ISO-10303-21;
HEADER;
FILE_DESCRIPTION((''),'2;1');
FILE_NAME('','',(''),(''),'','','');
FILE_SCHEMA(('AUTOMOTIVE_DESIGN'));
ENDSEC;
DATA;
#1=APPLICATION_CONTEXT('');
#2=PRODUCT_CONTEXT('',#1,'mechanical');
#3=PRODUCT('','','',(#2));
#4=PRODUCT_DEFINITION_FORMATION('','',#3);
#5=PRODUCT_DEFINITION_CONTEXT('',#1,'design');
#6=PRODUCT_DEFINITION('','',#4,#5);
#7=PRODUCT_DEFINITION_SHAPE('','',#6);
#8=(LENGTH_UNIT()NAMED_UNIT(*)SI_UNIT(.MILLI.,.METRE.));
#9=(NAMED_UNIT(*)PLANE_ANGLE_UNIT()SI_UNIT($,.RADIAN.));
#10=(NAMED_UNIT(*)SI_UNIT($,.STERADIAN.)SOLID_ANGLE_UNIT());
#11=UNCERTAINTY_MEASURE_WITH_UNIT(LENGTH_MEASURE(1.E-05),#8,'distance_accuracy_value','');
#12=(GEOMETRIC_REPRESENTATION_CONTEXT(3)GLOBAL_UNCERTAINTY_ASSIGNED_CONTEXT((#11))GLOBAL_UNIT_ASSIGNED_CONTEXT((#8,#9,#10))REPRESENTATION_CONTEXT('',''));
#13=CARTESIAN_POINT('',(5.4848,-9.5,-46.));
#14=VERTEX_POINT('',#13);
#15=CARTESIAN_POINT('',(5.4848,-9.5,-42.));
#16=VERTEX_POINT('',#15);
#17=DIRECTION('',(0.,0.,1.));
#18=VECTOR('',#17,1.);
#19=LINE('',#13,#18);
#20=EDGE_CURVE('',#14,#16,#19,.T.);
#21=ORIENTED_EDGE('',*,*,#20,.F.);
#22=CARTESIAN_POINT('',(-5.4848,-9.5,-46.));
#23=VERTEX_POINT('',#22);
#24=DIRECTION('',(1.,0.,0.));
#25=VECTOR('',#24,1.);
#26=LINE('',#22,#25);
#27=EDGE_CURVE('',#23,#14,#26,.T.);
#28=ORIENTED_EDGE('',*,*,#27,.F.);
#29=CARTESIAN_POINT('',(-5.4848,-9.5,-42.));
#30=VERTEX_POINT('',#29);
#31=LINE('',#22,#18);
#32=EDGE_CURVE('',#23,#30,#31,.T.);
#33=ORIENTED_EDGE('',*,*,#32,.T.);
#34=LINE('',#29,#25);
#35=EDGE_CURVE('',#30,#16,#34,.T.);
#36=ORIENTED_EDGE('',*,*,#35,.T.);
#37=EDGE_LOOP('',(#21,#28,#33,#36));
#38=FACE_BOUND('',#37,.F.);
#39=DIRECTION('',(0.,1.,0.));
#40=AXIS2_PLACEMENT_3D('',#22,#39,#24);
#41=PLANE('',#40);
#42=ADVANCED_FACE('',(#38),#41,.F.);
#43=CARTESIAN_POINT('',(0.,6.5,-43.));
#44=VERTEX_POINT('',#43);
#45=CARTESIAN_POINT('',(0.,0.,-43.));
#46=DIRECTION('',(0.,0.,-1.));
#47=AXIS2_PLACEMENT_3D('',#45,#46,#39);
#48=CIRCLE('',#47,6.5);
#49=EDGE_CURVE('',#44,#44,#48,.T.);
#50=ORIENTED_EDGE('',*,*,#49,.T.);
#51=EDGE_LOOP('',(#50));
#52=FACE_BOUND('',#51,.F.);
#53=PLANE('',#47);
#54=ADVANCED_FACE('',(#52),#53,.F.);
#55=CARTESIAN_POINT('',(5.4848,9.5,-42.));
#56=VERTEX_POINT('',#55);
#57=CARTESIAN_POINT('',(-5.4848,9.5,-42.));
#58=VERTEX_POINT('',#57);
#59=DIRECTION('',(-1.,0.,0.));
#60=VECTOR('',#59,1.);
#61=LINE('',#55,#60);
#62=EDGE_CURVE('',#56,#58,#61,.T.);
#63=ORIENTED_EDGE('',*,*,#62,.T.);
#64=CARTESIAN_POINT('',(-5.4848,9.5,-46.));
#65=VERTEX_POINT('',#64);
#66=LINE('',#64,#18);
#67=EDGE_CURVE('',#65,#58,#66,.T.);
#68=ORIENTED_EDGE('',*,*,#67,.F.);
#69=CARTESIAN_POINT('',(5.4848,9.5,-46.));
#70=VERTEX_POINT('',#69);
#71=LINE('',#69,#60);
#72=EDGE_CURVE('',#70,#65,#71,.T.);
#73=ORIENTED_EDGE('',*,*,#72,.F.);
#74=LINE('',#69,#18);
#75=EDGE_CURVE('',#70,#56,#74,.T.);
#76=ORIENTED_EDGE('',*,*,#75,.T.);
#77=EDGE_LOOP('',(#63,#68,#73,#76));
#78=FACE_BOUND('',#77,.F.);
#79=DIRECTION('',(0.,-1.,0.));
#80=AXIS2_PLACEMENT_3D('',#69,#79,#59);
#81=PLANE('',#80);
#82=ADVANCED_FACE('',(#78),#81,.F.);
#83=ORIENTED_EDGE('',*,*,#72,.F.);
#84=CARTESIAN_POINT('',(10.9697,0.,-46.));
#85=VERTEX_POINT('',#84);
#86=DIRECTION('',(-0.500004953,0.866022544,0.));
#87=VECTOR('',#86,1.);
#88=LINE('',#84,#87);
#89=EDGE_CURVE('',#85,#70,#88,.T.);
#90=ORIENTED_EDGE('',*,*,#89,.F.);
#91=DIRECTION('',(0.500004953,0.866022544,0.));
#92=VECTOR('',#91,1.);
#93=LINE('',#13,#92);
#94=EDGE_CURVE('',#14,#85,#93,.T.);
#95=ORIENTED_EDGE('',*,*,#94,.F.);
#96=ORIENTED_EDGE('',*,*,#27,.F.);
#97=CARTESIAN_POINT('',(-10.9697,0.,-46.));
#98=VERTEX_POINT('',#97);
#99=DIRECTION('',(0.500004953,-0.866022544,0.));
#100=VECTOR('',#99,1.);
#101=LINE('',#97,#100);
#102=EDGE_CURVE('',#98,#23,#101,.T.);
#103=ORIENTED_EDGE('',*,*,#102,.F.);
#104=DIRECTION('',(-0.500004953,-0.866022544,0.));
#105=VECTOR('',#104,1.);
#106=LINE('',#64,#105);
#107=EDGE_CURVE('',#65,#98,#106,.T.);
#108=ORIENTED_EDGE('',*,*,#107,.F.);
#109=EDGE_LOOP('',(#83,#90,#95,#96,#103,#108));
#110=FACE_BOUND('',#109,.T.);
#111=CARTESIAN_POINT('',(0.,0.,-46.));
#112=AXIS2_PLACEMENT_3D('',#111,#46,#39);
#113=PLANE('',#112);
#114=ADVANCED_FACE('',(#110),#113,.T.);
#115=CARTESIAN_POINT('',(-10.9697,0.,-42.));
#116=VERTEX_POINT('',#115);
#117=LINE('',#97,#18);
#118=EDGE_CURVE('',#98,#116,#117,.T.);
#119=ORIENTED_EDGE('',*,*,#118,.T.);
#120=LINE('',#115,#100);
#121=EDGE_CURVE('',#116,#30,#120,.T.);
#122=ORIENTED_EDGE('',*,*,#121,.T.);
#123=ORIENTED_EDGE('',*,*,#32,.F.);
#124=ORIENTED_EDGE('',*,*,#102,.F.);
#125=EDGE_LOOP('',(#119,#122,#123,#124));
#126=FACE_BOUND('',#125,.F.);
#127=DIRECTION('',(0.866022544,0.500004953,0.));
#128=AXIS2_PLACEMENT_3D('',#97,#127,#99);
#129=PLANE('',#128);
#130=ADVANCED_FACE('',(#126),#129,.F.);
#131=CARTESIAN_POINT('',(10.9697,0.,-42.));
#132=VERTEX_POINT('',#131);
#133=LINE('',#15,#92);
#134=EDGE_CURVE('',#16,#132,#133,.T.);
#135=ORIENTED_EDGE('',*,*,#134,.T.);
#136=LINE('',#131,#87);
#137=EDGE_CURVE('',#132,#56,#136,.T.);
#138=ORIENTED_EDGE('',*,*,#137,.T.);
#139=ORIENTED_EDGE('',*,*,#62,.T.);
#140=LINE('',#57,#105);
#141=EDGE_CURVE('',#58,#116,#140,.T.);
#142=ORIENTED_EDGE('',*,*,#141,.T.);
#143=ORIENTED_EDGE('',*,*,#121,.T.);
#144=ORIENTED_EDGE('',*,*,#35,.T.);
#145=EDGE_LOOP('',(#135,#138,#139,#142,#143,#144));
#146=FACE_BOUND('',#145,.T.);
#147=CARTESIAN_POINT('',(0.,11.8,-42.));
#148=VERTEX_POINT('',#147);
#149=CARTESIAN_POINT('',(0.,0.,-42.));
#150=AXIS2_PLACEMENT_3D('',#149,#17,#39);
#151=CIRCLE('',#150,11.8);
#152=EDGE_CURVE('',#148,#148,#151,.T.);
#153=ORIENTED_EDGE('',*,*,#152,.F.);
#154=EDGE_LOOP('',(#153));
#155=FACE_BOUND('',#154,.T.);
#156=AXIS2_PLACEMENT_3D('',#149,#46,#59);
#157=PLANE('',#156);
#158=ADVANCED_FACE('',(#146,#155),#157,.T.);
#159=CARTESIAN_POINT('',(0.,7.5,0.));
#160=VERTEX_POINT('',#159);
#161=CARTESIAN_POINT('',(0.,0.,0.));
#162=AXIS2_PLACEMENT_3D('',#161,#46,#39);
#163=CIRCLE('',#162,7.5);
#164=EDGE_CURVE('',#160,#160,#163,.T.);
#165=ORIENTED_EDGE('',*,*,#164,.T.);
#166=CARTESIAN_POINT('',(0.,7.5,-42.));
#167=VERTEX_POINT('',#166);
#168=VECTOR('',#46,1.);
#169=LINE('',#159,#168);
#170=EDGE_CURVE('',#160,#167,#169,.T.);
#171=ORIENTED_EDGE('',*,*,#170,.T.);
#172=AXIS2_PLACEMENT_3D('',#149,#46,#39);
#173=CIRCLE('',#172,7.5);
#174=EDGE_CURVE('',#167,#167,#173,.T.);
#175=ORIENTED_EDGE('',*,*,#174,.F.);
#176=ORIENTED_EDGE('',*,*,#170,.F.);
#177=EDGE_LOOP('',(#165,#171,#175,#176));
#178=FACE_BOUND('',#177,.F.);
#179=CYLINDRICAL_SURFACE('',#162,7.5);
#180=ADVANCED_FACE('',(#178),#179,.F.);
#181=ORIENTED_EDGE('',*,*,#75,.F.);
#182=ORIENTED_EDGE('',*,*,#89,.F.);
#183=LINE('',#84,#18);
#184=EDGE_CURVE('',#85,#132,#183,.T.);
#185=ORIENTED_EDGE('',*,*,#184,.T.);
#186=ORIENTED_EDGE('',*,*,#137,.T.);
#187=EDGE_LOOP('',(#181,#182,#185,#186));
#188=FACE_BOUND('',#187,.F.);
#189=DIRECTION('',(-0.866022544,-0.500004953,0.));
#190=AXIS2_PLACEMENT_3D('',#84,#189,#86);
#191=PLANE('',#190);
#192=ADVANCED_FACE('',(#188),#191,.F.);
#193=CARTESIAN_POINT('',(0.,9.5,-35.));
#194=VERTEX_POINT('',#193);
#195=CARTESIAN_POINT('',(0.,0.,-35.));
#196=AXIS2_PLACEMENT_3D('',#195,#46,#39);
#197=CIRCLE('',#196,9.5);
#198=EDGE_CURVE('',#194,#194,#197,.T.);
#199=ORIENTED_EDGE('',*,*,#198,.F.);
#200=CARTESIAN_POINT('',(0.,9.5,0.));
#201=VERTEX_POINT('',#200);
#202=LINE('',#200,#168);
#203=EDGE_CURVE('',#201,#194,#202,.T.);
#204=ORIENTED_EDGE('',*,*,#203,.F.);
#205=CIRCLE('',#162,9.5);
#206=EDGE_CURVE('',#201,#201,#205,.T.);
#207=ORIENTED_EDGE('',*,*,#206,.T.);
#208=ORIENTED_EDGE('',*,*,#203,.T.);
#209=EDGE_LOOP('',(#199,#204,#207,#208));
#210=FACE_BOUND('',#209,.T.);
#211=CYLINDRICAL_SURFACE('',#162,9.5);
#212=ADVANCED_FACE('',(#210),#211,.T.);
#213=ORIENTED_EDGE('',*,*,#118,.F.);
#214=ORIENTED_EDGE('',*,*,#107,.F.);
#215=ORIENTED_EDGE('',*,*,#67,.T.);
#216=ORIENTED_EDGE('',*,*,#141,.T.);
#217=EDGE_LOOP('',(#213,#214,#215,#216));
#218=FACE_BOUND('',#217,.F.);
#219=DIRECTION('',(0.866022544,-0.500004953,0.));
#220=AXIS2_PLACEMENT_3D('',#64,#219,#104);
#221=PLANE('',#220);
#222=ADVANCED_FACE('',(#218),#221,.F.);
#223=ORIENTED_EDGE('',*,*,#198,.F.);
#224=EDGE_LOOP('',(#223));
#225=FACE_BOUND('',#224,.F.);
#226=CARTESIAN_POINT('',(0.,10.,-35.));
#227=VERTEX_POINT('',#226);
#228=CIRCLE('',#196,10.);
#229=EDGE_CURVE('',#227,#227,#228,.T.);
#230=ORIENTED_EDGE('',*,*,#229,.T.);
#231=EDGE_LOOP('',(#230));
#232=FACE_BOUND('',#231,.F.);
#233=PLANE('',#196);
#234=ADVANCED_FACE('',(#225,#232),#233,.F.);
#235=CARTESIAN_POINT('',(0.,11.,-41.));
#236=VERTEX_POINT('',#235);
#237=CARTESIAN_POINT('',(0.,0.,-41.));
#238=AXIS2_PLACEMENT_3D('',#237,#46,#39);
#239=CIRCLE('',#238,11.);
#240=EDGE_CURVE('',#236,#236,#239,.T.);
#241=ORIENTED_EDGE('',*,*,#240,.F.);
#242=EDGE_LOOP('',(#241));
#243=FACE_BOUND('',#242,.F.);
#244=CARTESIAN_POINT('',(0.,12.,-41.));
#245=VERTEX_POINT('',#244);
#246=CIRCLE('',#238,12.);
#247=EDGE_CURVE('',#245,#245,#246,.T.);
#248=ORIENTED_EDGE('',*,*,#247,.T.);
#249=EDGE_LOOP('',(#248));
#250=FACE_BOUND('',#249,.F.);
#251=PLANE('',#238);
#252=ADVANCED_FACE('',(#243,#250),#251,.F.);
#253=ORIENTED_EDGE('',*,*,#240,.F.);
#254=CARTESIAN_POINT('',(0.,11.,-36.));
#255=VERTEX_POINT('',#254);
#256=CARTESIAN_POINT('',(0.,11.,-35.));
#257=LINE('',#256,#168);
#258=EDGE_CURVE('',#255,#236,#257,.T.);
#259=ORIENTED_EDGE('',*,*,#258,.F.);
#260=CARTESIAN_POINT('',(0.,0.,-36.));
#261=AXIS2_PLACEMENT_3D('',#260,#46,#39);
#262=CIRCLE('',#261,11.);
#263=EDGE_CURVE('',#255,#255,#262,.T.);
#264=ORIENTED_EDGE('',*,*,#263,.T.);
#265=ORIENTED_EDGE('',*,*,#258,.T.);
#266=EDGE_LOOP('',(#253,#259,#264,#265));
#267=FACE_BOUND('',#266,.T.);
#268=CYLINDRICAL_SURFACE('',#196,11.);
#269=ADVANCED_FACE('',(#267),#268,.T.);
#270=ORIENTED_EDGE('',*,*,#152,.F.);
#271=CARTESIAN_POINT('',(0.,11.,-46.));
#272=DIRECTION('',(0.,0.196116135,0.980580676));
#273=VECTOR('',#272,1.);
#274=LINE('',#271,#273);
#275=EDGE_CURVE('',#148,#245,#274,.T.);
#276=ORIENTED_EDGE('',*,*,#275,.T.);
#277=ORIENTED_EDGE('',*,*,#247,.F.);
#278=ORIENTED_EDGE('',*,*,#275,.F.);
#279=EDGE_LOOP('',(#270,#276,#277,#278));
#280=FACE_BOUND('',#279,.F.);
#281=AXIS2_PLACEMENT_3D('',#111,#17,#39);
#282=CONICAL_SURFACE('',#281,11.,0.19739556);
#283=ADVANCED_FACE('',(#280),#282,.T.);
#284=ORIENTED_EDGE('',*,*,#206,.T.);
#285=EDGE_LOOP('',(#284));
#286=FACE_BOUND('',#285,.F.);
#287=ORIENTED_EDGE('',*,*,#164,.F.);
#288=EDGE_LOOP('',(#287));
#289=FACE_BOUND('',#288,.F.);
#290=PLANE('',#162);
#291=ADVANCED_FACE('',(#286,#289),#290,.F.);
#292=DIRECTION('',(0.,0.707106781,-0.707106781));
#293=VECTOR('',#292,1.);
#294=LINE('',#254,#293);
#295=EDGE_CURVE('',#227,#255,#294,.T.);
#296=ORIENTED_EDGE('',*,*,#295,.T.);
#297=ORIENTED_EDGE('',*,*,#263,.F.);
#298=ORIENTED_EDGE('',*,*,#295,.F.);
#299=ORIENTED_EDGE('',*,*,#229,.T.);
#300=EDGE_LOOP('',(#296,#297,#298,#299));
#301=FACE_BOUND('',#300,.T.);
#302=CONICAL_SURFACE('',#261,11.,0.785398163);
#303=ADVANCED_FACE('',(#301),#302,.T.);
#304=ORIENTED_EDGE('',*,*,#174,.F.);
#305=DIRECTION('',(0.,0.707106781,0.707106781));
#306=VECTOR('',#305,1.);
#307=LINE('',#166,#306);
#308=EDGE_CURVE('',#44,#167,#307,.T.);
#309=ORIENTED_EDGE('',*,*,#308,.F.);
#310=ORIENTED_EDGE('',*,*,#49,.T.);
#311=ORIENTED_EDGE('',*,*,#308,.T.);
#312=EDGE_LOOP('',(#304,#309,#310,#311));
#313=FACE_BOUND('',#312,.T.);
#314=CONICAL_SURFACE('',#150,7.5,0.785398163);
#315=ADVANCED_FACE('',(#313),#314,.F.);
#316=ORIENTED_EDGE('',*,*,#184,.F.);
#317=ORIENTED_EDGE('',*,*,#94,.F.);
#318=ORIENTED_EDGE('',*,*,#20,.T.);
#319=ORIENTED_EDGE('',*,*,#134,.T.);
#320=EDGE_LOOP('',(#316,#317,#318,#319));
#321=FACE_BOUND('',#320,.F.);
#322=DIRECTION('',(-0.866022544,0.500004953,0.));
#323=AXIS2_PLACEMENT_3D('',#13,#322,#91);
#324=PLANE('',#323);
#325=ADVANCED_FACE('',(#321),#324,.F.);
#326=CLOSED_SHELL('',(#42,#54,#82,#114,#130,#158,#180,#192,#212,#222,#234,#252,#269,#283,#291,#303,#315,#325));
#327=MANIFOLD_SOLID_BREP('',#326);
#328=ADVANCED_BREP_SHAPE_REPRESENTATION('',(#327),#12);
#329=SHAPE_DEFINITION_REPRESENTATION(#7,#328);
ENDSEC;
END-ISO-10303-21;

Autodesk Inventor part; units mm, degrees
ref_plane "YZ Plane" through (0, 0, 0) normal (1, 0, 0) x (0, 1, 0)
ref_plane "XZ Plane" through (0, 0, 0) normal (0, 1, 0) x (-1, 0, 0)
ref_plane "XY Plane" through (0, 0, 0) normal (0, 0, 1) x (1, 0, 0)
sketch "Esquisse1" plane through (0, 0, 0) normal (1, 0, 0) x (0, 1, 0)
  line L0 (0, 0) -> (0, -23.6667)
  line L1 (9.5, 0) -> (7.5, 0)
  line L2 (7.5, 0) -> (7.5, -43)
  line L3 (11, -35) -> (11, -41)
  line L4 (7.5, -43) -> (0, -43)
  line L5 (11, -46) -> (0, -46)
  line L6 (0, -43) -> (0, -46)
  line L7 (11, -46) -> (12, -41)
  line L8 (12, -41) -> (11, -41)
  line L9 (11, -35) -> (9.5, -35)
  line L10 (9.5, 0) -> (9.5, -35)
  dimension "d1" = 15
  dimension "d2" = 43
  dimension "d3" = 3
  dimension "d8" = 22
  dimension "d9" = 1
  dimension "d10" = 5
  dimension "d11" = 19
  dimension "d12" = 6
revolve "Révolution1" add sketch "Esquisse1" angle 360 about axis through (0, 0, 0) along (0, 0, -1)
chamfer "Chanfrein1" distance 1 angle 45 1 edges at (0, -7.5, -43)
sketch "Esquisse2" plane through (0, 0, -46) normal (0, 0, -1) x (-1, 0, 0)
  line L0 (5.4848, 9.5) -> (10.9697, 0)
  line L1 (10.9697, 0) -> (5.4848, -9.5)
  line L2 (5.4848, -9.5) -> (-5.4848, -9.5)
  line L3 (-5.4848, -9.5) -> (-10.9697, 0)
  line L4 (-10.9697, 0) -> (-5.4848, 9.5)
  line L5 (-5.4848, 9.5) -> (5.4848, 9.5)
  circle A0 centre (0, 0) radius 12 projected
  circle A1 centre (0, 0) radius 11 projected
  dimension "d13" = 19
extrude "Extrusion1" cut sketch "Esquisse2" against normal blind 4 contours A0 | A1
thread "Filetage1" size "M22x1.5" class "6g" standard "ISO Metric profile" full length
chamfer "Chanfrein2" distance 1 angle 45 1 edges at (0, -11, -35)
properties part number "piston_corps"
